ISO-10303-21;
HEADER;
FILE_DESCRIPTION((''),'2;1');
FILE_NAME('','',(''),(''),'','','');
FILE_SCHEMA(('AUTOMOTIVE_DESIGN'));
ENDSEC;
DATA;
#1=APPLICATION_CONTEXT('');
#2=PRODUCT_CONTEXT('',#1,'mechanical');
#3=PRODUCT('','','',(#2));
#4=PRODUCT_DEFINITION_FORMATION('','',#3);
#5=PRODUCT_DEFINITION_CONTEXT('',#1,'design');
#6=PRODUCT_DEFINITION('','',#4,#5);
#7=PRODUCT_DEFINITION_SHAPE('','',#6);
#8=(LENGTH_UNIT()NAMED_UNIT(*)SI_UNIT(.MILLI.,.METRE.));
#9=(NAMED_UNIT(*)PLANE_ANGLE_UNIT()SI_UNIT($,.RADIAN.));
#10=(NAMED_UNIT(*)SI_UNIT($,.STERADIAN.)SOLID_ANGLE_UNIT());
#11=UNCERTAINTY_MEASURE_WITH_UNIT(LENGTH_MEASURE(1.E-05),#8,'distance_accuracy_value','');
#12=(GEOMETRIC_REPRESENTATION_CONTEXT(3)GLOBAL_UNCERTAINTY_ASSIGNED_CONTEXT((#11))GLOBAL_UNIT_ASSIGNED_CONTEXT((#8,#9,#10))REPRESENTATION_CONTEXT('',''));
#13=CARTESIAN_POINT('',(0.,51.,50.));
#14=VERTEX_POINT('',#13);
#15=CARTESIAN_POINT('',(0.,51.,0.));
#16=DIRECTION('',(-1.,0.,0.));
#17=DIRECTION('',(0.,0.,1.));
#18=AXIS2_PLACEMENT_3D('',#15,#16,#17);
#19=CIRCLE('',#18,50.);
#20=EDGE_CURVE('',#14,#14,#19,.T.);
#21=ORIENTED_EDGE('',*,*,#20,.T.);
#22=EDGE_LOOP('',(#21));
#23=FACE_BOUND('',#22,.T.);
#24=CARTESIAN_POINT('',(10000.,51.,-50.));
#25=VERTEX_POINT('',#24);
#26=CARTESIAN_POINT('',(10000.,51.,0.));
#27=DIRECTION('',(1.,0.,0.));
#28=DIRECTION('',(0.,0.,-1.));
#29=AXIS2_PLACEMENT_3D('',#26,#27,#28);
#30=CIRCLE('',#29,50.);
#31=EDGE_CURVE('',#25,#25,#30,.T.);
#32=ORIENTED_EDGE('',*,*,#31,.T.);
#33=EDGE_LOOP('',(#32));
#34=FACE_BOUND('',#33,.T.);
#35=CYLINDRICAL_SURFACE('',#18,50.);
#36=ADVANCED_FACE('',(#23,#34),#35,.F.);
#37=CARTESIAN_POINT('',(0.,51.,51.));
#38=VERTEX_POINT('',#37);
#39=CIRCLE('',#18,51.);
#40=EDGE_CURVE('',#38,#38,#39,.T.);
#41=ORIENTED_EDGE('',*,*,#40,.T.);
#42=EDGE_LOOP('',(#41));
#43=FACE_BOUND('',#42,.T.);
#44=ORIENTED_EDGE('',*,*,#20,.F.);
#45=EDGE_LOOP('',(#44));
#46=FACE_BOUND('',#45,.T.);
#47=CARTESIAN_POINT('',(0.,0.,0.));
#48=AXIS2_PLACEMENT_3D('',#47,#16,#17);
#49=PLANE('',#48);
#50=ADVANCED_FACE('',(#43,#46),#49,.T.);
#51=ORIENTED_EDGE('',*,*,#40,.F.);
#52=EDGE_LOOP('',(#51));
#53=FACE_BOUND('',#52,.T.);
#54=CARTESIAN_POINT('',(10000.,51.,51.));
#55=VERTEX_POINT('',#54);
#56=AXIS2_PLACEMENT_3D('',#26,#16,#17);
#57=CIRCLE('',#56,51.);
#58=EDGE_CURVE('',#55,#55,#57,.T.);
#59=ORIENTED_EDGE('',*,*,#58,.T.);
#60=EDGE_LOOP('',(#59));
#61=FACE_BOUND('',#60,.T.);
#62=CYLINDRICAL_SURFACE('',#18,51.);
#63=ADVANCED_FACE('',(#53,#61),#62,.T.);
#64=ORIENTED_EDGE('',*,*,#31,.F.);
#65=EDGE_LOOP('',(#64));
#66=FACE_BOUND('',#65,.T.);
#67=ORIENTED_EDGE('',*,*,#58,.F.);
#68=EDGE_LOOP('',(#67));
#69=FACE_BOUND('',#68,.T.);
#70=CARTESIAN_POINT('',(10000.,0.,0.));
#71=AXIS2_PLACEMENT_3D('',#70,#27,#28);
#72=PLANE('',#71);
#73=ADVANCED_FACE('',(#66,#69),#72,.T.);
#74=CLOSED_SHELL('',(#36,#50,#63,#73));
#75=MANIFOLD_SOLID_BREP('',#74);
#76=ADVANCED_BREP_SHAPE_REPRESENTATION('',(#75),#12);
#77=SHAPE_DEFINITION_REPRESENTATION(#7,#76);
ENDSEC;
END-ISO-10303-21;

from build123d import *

# Parameters (mm, degrees)
SKETCH1_W          = 10000
SKETCH1_H          = 51
SKETCH1_W_2        = 9998
SKETCH1_H_2        = 49
SKETCH3_R          = 50
CUT_EXTRUDE1_DEPTH = 102101


with BuildPart() as part:
    # Sketch1 → Revolve1 (revolve)
    with BuildSketch(Plane.XY, mode=Mode.PRIVATE) as revolve1_sk:
        with Locations((5000, 25.5)):
            Rectangle(SKETCH1_W, SKETCH1_H)
        with Locations((5000, 25.5)):
            Rectangle(SKETCH1_W_2, SKETCH1_H_2, mode=Mode.SUBTRACT)
    revolve(revolve1_sk.sketch.rotate(Axis((0, 51, 0), (1, 0, 0)), 270), axis=Axis((0, 51, 0), (1, 0, 0)))

    # Sketch3 → Cut-Extrude1 (cut)
    with BuildSketch(Plane(origin=(10000, 0, 0), x_dir=(0, 0, -1), z_dir=(1, 0, 0))):
        with Locations(Location((0, 51, 0), (0, 0, 180))):
            Circle(SKETCH3_R)
    extrude(amount=-CUT_EXTRUDE1_DEPTH, mode=Mode.SUBTRACT)


solid = part.part
